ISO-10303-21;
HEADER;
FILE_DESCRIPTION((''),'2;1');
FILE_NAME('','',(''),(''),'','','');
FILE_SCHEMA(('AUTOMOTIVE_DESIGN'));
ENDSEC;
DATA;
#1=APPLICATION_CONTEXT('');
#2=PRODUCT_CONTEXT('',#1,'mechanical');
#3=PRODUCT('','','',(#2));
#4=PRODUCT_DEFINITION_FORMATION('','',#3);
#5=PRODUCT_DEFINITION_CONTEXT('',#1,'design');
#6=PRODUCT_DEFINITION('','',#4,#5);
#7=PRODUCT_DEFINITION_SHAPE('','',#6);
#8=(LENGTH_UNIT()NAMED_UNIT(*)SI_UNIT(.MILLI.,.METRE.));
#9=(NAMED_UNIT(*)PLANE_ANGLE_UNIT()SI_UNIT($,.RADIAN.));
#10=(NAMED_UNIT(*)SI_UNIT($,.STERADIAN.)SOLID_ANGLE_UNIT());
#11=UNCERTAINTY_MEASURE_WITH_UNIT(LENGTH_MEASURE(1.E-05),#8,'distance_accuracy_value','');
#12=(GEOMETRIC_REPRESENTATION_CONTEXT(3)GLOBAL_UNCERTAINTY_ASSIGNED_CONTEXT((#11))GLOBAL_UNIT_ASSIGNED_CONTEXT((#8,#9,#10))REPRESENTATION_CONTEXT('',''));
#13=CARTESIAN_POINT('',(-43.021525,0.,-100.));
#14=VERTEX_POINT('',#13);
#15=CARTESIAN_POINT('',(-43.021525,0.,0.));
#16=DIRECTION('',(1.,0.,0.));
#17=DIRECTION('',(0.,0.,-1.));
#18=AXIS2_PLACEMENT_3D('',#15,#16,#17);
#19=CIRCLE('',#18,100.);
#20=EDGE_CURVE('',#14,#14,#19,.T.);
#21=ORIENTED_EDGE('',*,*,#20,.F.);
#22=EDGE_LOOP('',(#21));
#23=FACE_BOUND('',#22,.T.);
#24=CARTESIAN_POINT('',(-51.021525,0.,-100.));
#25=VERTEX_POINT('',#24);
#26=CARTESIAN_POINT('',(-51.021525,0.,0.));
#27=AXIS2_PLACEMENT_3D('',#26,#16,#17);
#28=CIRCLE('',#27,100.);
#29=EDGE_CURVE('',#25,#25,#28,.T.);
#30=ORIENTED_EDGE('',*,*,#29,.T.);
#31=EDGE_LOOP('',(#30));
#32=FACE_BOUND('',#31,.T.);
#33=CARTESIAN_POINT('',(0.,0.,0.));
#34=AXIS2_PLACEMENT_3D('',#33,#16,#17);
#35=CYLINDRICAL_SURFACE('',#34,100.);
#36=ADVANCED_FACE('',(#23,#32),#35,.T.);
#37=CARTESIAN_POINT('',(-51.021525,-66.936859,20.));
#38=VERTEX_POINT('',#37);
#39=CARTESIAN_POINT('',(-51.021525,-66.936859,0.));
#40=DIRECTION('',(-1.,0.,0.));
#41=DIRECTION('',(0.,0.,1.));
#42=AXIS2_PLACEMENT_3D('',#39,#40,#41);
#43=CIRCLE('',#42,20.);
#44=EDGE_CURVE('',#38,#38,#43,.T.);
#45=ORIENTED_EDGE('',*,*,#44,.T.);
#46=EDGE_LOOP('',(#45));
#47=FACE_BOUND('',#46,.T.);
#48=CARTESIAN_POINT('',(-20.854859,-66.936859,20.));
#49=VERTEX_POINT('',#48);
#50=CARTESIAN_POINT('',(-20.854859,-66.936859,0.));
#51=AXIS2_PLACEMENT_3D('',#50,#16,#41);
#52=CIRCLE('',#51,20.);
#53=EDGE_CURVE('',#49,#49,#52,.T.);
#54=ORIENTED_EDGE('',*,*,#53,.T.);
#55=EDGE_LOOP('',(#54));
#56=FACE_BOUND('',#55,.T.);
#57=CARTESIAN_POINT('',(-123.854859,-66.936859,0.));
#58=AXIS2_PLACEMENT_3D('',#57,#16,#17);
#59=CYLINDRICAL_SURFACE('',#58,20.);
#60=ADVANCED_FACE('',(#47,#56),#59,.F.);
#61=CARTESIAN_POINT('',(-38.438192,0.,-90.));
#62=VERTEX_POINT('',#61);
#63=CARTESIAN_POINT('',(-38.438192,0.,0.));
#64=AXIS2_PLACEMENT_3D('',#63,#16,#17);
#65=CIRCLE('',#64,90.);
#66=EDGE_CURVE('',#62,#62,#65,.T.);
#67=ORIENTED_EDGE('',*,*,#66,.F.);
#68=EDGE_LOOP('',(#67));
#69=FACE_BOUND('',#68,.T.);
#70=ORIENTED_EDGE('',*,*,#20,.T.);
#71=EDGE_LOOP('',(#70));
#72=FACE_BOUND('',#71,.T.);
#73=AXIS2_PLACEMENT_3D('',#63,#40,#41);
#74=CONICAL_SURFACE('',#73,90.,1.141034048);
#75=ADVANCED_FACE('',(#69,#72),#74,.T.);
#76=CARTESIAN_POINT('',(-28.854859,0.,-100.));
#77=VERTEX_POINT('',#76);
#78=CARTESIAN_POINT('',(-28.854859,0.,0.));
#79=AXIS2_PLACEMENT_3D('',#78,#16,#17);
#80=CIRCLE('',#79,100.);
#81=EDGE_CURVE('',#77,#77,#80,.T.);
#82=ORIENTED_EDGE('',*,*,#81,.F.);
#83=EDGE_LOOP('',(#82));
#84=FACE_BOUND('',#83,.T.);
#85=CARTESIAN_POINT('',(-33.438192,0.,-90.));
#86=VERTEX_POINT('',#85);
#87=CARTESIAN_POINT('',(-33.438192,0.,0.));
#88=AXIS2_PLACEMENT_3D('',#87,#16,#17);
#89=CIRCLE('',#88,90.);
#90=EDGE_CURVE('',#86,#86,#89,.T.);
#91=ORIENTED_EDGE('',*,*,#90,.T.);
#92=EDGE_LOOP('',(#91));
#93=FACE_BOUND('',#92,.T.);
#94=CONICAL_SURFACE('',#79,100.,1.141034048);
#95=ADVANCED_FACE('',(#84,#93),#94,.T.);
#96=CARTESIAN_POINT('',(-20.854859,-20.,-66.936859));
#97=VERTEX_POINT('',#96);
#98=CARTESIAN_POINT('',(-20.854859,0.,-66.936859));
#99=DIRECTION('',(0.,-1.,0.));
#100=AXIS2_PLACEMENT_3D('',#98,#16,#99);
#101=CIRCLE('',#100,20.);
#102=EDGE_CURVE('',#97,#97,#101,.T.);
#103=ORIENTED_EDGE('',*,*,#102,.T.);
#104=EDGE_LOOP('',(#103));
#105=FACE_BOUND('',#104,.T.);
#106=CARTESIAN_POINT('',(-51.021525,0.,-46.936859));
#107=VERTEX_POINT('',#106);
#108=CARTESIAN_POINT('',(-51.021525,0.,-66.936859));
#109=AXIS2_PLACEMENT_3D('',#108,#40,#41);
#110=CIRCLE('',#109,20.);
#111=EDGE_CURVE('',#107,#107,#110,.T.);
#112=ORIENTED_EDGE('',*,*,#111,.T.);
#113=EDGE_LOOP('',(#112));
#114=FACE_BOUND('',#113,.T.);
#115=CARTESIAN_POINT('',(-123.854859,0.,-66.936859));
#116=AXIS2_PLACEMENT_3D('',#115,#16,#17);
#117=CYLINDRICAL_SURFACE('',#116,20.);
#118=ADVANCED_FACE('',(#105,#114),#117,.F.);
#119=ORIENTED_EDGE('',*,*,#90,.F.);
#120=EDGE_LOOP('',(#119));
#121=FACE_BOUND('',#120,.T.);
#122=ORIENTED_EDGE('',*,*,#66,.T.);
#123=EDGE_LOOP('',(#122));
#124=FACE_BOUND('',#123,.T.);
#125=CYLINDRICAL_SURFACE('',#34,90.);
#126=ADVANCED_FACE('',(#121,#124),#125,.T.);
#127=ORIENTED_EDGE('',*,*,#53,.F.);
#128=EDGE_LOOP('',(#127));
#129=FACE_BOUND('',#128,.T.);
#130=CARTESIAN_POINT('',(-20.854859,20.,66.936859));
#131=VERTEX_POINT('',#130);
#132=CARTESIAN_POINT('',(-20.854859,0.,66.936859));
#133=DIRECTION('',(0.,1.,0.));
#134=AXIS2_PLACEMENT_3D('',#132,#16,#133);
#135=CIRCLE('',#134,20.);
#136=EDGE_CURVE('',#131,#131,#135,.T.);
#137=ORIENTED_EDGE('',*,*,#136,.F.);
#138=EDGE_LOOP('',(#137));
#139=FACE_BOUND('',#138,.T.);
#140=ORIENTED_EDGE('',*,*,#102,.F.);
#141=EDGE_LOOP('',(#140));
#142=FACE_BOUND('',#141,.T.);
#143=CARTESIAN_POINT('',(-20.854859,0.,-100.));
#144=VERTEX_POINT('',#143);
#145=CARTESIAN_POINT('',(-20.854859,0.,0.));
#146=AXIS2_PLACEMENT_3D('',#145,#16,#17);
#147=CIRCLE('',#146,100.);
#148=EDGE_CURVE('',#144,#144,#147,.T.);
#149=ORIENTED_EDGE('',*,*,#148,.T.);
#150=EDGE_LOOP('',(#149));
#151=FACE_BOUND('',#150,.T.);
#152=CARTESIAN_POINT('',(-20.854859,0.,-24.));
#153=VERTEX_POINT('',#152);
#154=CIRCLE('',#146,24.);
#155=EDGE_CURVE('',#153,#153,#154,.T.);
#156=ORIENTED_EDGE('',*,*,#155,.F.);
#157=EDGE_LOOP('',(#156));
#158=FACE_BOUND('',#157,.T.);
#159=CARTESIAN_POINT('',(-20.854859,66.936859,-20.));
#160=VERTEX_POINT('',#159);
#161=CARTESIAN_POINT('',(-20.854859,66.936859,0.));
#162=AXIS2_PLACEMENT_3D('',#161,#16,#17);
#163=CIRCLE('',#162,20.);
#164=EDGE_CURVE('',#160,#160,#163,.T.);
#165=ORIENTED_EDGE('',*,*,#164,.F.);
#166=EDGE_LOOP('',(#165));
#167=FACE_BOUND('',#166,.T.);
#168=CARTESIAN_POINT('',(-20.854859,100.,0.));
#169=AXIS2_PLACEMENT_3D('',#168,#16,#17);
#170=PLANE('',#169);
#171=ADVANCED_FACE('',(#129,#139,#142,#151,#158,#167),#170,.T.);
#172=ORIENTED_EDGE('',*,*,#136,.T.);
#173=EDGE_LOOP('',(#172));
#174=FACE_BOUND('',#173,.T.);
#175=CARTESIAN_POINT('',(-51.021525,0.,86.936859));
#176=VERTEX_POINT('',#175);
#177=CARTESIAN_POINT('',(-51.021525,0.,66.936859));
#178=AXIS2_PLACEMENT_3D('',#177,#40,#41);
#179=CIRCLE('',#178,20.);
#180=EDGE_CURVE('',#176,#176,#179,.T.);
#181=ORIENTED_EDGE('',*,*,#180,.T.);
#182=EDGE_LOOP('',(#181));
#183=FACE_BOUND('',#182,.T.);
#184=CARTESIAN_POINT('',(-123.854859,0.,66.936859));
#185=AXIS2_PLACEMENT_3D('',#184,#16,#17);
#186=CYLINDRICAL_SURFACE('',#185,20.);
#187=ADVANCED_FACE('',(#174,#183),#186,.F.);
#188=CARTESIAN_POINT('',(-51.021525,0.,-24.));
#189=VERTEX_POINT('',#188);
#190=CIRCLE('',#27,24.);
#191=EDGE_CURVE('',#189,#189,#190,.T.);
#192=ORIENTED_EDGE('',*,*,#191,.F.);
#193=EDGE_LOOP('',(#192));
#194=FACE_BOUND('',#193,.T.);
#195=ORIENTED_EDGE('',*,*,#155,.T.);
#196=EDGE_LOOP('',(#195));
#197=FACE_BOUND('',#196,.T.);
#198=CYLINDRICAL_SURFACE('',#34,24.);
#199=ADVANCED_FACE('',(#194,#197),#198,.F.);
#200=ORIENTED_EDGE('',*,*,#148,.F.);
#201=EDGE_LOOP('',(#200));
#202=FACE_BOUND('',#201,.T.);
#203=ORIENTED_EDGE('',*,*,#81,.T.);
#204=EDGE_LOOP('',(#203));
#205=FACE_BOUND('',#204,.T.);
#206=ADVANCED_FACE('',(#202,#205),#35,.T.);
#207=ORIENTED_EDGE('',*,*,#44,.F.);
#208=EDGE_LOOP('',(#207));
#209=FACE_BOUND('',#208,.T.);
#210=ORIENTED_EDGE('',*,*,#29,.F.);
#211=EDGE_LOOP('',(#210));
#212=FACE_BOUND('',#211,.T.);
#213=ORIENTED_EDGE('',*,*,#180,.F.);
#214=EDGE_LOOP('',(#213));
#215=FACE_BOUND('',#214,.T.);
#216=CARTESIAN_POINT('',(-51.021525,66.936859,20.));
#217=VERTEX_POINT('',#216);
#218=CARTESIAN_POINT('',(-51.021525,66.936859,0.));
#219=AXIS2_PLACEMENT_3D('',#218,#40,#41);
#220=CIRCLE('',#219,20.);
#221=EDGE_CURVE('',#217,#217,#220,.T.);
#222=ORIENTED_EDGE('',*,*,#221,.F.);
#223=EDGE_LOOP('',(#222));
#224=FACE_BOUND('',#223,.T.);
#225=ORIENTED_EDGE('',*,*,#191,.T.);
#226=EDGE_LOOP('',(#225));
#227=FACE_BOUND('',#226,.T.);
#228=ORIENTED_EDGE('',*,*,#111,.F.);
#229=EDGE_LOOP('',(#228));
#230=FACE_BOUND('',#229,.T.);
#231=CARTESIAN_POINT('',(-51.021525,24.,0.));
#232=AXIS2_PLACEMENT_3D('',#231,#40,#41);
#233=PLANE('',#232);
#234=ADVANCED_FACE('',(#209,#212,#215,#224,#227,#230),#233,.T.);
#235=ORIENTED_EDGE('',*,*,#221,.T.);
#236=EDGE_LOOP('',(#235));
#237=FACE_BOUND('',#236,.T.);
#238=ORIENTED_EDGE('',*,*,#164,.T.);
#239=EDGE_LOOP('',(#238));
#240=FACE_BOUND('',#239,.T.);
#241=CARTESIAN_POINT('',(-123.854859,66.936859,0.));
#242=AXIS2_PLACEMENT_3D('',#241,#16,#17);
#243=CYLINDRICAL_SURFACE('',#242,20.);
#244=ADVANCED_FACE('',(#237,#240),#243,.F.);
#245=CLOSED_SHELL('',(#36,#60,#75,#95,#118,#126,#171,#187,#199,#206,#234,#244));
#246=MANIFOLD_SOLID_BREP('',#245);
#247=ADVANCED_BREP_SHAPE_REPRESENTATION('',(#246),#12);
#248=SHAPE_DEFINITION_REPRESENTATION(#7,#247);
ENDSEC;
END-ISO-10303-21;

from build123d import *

# Parameters (mm, degrees)
SKETCH2_R          = 20
CUT_EXTRUDE1_DEPTH = 103
CIRPATTERN1_COUNT  = 4


with BuildPart() as part:
    # Sketch1 → Revolve1 (revolve)
    with BuildSketch(Plane.XY, mode=Mode.PRIVATE) as revolve1_sk:
        Polygon((-20.854858804, 24), (-51.021525471, 24), (-51.021525471, 100), (-43.021525471, 100), (-38.438192137, 90), (-33.438192137, 90), (-28.854858804, 100), (-20.854858804, 100), align=None)
    revolve(revolve1_sk.sketch.rotate(Axis((0, 0, 0), (-1, 0, 0)), 90), axis=Axis((0, 0, 0), (-1, 0, 0)))

    # Sketch2 → Cut-Extrude1 (cut)
    with BuildSketch(Plane(origin=(-20.854858804, 0, 0), x_dir=(0, 0, -1), z_dir=(1, 0, 0))):
        with Locations((0, 66.936858639)):
            Circle(SKETCH2_R)
    cut_extrude1 = extrude(amount=-CUT_EXTRUDE1_DEPTH, mode=Mode.SUBTRACT)

    # CirPattern1: Cut-Extrude1 ×4 about axis
    cirpattern1_axis = Axis((0, 0, 0), (1, 0, 0))
    for i in range(1, CIRPATTERN1_COUNT):
        add(cut_extrude1.rotate(cirpattern1_axis, i * 360 / CIRPATTERN1_COUNT), mode=Mode.SUBTRACT)


solid = part.part
